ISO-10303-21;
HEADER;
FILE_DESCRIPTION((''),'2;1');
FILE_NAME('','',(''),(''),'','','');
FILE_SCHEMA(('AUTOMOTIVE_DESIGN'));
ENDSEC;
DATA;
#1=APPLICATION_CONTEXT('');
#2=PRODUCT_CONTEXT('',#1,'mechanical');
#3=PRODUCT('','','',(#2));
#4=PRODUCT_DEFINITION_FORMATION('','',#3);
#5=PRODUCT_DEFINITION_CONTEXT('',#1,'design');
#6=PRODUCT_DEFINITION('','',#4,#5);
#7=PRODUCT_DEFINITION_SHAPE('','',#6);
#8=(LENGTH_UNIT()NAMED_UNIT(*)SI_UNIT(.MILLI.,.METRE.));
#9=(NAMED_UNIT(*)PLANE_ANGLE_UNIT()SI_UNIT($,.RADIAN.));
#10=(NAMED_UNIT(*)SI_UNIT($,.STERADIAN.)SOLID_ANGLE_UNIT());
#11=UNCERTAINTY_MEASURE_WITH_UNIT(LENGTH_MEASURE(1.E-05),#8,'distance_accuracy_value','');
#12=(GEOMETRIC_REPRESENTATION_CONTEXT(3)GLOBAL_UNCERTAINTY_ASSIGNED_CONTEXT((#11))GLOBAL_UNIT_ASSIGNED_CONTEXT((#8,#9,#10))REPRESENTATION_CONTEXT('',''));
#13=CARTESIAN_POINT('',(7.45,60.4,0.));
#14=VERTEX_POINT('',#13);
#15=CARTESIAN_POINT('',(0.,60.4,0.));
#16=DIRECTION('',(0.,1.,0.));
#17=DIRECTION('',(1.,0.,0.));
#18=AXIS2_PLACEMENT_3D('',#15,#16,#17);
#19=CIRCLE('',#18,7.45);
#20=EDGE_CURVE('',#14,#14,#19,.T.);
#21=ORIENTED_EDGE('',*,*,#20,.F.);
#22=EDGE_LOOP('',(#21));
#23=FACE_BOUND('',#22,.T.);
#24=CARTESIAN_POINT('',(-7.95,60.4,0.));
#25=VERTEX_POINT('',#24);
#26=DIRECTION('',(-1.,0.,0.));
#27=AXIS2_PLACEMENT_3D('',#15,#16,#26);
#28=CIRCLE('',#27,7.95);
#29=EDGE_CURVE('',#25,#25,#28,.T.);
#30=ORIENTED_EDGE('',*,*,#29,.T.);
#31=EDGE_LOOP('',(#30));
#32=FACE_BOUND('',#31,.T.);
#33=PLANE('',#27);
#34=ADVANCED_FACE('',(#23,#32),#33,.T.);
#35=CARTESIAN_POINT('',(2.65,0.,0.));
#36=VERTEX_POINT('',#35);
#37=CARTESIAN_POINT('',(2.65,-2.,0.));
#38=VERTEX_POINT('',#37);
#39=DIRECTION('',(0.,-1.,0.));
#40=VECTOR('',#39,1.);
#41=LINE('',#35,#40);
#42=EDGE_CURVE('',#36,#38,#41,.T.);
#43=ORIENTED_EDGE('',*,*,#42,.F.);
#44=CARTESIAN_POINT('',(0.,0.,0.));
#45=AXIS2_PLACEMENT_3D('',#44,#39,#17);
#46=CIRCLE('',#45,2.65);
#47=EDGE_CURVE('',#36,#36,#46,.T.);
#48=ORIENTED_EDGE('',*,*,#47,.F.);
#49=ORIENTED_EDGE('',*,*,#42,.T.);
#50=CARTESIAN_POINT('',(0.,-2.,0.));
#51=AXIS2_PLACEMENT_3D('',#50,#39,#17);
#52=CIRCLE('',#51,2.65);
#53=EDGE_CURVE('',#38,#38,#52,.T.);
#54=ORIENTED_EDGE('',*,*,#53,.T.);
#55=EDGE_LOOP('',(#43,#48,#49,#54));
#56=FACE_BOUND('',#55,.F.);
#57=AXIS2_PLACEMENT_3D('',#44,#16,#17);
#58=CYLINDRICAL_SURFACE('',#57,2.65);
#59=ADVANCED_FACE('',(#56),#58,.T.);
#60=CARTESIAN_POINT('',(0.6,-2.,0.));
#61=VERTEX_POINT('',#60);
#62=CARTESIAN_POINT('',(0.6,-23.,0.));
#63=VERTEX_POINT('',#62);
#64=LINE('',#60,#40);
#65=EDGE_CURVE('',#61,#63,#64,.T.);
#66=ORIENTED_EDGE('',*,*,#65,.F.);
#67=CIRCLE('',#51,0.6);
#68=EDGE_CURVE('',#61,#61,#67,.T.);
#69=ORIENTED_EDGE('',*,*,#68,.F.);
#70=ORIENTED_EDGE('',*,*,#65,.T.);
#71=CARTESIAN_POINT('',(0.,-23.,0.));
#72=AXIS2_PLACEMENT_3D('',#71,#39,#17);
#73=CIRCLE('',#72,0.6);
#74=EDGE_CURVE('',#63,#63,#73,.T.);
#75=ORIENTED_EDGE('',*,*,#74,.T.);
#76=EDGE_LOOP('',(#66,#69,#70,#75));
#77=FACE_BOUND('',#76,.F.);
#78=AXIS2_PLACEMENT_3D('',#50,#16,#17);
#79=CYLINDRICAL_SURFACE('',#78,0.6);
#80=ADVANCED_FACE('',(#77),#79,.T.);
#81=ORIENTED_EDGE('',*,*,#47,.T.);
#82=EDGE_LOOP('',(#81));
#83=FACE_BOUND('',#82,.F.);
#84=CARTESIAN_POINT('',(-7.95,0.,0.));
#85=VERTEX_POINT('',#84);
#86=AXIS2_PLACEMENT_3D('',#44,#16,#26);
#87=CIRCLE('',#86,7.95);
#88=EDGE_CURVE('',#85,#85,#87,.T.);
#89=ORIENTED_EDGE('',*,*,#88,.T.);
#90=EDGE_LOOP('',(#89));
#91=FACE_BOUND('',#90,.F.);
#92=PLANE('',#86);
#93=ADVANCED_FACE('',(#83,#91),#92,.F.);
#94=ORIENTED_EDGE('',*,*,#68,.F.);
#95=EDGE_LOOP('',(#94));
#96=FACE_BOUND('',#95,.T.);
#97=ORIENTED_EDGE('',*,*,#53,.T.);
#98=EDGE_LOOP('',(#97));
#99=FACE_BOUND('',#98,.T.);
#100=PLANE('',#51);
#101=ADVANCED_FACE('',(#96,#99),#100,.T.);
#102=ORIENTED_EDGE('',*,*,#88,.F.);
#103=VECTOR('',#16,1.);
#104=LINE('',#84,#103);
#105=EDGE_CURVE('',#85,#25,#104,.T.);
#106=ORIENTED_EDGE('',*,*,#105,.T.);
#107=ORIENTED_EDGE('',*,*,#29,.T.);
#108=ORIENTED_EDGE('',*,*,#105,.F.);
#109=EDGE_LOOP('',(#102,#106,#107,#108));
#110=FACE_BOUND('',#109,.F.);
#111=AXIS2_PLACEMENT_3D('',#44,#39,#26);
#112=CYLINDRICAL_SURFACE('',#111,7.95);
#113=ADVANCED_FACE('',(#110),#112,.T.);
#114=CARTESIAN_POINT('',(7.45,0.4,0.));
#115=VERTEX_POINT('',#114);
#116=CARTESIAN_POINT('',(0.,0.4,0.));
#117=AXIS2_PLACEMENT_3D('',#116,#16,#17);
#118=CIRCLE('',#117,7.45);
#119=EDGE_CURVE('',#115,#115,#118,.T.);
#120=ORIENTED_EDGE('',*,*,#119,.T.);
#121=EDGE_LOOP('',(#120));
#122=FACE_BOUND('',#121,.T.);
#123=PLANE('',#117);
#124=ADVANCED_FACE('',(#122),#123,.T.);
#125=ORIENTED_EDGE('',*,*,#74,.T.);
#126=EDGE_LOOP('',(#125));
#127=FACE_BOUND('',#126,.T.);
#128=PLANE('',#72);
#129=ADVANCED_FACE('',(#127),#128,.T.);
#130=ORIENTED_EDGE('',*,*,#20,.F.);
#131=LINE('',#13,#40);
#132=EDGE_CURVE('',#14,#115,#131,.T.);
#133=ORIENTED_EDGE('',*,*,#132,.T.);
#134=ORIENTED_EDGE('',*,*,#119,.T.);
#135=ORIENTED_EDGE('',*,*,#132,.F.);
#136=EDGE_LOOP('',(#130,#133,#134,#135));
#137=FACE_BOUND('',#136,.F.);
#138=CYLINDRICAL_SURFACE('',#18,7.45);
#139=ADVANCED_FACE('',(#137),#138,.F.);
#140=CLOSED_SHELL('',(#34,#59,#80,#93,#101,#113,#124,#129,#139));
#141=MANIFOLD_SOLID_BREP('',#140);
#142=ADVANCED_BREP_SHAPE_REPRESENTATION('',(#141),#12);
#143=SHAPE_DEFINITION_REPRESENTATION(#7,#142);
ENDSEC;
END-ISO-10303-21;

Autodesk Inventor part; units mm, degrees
ref_plane "YZ Plane" through (0, 0, 0) normal (1, 0, 0) x (0, 1, 0)
ref_plane "XZ Plane" through (0, 0, 0) normal (0, 1, 0) x (-1, 0, 0)
ref_plane "XY Plane" through (0, 0, 0) normal (0, 0, 1) x (1, 0, 0)
sketch "Sketch1" plane through (0, 0, 0) normal (0, 1, 0) x (-1, 0, 0)
  circle A0 centre (0, 0) radius 7.95
  dimension "d0" = 15.9
extrude "Extrusion1" add sketch "Sketch1" along normal blind 60.4
sketch "Sketch2" plane through (0, 0, 0) normal (0, -1, 0) x (1, 0, 0)
  circle A0 centre (0, 0) radius 2.65
  dimension "d3" = 5.3
extrude "Extrusion2" add sketch "Sketch2" along normal blind 2
sketch "Sketch3" plane through (0, -2, 0) normal (0, -1, 0) x (1, 0, 0)
  circle A0 centre (0, 0) radius 0.6
  dimension "d6" = 1.2
extrude "Extrusion3" add sketch "Sketch3" along normal blind 21
sketch "Sketch4" plane through (0, 60.4, 0) normal (0, 1, 0) x (1, 0, 0)
  circle A0 centre (0, 0) radius 7.45
  dimension "d9" = 14.9
extrude "Extrusion4" cut sketch "Sketch4" against normal blind 60
properties part number "Syringe_moreaccurate_ENES100_OSV-spencermical-4-52pm-3-5-16-saturday"
